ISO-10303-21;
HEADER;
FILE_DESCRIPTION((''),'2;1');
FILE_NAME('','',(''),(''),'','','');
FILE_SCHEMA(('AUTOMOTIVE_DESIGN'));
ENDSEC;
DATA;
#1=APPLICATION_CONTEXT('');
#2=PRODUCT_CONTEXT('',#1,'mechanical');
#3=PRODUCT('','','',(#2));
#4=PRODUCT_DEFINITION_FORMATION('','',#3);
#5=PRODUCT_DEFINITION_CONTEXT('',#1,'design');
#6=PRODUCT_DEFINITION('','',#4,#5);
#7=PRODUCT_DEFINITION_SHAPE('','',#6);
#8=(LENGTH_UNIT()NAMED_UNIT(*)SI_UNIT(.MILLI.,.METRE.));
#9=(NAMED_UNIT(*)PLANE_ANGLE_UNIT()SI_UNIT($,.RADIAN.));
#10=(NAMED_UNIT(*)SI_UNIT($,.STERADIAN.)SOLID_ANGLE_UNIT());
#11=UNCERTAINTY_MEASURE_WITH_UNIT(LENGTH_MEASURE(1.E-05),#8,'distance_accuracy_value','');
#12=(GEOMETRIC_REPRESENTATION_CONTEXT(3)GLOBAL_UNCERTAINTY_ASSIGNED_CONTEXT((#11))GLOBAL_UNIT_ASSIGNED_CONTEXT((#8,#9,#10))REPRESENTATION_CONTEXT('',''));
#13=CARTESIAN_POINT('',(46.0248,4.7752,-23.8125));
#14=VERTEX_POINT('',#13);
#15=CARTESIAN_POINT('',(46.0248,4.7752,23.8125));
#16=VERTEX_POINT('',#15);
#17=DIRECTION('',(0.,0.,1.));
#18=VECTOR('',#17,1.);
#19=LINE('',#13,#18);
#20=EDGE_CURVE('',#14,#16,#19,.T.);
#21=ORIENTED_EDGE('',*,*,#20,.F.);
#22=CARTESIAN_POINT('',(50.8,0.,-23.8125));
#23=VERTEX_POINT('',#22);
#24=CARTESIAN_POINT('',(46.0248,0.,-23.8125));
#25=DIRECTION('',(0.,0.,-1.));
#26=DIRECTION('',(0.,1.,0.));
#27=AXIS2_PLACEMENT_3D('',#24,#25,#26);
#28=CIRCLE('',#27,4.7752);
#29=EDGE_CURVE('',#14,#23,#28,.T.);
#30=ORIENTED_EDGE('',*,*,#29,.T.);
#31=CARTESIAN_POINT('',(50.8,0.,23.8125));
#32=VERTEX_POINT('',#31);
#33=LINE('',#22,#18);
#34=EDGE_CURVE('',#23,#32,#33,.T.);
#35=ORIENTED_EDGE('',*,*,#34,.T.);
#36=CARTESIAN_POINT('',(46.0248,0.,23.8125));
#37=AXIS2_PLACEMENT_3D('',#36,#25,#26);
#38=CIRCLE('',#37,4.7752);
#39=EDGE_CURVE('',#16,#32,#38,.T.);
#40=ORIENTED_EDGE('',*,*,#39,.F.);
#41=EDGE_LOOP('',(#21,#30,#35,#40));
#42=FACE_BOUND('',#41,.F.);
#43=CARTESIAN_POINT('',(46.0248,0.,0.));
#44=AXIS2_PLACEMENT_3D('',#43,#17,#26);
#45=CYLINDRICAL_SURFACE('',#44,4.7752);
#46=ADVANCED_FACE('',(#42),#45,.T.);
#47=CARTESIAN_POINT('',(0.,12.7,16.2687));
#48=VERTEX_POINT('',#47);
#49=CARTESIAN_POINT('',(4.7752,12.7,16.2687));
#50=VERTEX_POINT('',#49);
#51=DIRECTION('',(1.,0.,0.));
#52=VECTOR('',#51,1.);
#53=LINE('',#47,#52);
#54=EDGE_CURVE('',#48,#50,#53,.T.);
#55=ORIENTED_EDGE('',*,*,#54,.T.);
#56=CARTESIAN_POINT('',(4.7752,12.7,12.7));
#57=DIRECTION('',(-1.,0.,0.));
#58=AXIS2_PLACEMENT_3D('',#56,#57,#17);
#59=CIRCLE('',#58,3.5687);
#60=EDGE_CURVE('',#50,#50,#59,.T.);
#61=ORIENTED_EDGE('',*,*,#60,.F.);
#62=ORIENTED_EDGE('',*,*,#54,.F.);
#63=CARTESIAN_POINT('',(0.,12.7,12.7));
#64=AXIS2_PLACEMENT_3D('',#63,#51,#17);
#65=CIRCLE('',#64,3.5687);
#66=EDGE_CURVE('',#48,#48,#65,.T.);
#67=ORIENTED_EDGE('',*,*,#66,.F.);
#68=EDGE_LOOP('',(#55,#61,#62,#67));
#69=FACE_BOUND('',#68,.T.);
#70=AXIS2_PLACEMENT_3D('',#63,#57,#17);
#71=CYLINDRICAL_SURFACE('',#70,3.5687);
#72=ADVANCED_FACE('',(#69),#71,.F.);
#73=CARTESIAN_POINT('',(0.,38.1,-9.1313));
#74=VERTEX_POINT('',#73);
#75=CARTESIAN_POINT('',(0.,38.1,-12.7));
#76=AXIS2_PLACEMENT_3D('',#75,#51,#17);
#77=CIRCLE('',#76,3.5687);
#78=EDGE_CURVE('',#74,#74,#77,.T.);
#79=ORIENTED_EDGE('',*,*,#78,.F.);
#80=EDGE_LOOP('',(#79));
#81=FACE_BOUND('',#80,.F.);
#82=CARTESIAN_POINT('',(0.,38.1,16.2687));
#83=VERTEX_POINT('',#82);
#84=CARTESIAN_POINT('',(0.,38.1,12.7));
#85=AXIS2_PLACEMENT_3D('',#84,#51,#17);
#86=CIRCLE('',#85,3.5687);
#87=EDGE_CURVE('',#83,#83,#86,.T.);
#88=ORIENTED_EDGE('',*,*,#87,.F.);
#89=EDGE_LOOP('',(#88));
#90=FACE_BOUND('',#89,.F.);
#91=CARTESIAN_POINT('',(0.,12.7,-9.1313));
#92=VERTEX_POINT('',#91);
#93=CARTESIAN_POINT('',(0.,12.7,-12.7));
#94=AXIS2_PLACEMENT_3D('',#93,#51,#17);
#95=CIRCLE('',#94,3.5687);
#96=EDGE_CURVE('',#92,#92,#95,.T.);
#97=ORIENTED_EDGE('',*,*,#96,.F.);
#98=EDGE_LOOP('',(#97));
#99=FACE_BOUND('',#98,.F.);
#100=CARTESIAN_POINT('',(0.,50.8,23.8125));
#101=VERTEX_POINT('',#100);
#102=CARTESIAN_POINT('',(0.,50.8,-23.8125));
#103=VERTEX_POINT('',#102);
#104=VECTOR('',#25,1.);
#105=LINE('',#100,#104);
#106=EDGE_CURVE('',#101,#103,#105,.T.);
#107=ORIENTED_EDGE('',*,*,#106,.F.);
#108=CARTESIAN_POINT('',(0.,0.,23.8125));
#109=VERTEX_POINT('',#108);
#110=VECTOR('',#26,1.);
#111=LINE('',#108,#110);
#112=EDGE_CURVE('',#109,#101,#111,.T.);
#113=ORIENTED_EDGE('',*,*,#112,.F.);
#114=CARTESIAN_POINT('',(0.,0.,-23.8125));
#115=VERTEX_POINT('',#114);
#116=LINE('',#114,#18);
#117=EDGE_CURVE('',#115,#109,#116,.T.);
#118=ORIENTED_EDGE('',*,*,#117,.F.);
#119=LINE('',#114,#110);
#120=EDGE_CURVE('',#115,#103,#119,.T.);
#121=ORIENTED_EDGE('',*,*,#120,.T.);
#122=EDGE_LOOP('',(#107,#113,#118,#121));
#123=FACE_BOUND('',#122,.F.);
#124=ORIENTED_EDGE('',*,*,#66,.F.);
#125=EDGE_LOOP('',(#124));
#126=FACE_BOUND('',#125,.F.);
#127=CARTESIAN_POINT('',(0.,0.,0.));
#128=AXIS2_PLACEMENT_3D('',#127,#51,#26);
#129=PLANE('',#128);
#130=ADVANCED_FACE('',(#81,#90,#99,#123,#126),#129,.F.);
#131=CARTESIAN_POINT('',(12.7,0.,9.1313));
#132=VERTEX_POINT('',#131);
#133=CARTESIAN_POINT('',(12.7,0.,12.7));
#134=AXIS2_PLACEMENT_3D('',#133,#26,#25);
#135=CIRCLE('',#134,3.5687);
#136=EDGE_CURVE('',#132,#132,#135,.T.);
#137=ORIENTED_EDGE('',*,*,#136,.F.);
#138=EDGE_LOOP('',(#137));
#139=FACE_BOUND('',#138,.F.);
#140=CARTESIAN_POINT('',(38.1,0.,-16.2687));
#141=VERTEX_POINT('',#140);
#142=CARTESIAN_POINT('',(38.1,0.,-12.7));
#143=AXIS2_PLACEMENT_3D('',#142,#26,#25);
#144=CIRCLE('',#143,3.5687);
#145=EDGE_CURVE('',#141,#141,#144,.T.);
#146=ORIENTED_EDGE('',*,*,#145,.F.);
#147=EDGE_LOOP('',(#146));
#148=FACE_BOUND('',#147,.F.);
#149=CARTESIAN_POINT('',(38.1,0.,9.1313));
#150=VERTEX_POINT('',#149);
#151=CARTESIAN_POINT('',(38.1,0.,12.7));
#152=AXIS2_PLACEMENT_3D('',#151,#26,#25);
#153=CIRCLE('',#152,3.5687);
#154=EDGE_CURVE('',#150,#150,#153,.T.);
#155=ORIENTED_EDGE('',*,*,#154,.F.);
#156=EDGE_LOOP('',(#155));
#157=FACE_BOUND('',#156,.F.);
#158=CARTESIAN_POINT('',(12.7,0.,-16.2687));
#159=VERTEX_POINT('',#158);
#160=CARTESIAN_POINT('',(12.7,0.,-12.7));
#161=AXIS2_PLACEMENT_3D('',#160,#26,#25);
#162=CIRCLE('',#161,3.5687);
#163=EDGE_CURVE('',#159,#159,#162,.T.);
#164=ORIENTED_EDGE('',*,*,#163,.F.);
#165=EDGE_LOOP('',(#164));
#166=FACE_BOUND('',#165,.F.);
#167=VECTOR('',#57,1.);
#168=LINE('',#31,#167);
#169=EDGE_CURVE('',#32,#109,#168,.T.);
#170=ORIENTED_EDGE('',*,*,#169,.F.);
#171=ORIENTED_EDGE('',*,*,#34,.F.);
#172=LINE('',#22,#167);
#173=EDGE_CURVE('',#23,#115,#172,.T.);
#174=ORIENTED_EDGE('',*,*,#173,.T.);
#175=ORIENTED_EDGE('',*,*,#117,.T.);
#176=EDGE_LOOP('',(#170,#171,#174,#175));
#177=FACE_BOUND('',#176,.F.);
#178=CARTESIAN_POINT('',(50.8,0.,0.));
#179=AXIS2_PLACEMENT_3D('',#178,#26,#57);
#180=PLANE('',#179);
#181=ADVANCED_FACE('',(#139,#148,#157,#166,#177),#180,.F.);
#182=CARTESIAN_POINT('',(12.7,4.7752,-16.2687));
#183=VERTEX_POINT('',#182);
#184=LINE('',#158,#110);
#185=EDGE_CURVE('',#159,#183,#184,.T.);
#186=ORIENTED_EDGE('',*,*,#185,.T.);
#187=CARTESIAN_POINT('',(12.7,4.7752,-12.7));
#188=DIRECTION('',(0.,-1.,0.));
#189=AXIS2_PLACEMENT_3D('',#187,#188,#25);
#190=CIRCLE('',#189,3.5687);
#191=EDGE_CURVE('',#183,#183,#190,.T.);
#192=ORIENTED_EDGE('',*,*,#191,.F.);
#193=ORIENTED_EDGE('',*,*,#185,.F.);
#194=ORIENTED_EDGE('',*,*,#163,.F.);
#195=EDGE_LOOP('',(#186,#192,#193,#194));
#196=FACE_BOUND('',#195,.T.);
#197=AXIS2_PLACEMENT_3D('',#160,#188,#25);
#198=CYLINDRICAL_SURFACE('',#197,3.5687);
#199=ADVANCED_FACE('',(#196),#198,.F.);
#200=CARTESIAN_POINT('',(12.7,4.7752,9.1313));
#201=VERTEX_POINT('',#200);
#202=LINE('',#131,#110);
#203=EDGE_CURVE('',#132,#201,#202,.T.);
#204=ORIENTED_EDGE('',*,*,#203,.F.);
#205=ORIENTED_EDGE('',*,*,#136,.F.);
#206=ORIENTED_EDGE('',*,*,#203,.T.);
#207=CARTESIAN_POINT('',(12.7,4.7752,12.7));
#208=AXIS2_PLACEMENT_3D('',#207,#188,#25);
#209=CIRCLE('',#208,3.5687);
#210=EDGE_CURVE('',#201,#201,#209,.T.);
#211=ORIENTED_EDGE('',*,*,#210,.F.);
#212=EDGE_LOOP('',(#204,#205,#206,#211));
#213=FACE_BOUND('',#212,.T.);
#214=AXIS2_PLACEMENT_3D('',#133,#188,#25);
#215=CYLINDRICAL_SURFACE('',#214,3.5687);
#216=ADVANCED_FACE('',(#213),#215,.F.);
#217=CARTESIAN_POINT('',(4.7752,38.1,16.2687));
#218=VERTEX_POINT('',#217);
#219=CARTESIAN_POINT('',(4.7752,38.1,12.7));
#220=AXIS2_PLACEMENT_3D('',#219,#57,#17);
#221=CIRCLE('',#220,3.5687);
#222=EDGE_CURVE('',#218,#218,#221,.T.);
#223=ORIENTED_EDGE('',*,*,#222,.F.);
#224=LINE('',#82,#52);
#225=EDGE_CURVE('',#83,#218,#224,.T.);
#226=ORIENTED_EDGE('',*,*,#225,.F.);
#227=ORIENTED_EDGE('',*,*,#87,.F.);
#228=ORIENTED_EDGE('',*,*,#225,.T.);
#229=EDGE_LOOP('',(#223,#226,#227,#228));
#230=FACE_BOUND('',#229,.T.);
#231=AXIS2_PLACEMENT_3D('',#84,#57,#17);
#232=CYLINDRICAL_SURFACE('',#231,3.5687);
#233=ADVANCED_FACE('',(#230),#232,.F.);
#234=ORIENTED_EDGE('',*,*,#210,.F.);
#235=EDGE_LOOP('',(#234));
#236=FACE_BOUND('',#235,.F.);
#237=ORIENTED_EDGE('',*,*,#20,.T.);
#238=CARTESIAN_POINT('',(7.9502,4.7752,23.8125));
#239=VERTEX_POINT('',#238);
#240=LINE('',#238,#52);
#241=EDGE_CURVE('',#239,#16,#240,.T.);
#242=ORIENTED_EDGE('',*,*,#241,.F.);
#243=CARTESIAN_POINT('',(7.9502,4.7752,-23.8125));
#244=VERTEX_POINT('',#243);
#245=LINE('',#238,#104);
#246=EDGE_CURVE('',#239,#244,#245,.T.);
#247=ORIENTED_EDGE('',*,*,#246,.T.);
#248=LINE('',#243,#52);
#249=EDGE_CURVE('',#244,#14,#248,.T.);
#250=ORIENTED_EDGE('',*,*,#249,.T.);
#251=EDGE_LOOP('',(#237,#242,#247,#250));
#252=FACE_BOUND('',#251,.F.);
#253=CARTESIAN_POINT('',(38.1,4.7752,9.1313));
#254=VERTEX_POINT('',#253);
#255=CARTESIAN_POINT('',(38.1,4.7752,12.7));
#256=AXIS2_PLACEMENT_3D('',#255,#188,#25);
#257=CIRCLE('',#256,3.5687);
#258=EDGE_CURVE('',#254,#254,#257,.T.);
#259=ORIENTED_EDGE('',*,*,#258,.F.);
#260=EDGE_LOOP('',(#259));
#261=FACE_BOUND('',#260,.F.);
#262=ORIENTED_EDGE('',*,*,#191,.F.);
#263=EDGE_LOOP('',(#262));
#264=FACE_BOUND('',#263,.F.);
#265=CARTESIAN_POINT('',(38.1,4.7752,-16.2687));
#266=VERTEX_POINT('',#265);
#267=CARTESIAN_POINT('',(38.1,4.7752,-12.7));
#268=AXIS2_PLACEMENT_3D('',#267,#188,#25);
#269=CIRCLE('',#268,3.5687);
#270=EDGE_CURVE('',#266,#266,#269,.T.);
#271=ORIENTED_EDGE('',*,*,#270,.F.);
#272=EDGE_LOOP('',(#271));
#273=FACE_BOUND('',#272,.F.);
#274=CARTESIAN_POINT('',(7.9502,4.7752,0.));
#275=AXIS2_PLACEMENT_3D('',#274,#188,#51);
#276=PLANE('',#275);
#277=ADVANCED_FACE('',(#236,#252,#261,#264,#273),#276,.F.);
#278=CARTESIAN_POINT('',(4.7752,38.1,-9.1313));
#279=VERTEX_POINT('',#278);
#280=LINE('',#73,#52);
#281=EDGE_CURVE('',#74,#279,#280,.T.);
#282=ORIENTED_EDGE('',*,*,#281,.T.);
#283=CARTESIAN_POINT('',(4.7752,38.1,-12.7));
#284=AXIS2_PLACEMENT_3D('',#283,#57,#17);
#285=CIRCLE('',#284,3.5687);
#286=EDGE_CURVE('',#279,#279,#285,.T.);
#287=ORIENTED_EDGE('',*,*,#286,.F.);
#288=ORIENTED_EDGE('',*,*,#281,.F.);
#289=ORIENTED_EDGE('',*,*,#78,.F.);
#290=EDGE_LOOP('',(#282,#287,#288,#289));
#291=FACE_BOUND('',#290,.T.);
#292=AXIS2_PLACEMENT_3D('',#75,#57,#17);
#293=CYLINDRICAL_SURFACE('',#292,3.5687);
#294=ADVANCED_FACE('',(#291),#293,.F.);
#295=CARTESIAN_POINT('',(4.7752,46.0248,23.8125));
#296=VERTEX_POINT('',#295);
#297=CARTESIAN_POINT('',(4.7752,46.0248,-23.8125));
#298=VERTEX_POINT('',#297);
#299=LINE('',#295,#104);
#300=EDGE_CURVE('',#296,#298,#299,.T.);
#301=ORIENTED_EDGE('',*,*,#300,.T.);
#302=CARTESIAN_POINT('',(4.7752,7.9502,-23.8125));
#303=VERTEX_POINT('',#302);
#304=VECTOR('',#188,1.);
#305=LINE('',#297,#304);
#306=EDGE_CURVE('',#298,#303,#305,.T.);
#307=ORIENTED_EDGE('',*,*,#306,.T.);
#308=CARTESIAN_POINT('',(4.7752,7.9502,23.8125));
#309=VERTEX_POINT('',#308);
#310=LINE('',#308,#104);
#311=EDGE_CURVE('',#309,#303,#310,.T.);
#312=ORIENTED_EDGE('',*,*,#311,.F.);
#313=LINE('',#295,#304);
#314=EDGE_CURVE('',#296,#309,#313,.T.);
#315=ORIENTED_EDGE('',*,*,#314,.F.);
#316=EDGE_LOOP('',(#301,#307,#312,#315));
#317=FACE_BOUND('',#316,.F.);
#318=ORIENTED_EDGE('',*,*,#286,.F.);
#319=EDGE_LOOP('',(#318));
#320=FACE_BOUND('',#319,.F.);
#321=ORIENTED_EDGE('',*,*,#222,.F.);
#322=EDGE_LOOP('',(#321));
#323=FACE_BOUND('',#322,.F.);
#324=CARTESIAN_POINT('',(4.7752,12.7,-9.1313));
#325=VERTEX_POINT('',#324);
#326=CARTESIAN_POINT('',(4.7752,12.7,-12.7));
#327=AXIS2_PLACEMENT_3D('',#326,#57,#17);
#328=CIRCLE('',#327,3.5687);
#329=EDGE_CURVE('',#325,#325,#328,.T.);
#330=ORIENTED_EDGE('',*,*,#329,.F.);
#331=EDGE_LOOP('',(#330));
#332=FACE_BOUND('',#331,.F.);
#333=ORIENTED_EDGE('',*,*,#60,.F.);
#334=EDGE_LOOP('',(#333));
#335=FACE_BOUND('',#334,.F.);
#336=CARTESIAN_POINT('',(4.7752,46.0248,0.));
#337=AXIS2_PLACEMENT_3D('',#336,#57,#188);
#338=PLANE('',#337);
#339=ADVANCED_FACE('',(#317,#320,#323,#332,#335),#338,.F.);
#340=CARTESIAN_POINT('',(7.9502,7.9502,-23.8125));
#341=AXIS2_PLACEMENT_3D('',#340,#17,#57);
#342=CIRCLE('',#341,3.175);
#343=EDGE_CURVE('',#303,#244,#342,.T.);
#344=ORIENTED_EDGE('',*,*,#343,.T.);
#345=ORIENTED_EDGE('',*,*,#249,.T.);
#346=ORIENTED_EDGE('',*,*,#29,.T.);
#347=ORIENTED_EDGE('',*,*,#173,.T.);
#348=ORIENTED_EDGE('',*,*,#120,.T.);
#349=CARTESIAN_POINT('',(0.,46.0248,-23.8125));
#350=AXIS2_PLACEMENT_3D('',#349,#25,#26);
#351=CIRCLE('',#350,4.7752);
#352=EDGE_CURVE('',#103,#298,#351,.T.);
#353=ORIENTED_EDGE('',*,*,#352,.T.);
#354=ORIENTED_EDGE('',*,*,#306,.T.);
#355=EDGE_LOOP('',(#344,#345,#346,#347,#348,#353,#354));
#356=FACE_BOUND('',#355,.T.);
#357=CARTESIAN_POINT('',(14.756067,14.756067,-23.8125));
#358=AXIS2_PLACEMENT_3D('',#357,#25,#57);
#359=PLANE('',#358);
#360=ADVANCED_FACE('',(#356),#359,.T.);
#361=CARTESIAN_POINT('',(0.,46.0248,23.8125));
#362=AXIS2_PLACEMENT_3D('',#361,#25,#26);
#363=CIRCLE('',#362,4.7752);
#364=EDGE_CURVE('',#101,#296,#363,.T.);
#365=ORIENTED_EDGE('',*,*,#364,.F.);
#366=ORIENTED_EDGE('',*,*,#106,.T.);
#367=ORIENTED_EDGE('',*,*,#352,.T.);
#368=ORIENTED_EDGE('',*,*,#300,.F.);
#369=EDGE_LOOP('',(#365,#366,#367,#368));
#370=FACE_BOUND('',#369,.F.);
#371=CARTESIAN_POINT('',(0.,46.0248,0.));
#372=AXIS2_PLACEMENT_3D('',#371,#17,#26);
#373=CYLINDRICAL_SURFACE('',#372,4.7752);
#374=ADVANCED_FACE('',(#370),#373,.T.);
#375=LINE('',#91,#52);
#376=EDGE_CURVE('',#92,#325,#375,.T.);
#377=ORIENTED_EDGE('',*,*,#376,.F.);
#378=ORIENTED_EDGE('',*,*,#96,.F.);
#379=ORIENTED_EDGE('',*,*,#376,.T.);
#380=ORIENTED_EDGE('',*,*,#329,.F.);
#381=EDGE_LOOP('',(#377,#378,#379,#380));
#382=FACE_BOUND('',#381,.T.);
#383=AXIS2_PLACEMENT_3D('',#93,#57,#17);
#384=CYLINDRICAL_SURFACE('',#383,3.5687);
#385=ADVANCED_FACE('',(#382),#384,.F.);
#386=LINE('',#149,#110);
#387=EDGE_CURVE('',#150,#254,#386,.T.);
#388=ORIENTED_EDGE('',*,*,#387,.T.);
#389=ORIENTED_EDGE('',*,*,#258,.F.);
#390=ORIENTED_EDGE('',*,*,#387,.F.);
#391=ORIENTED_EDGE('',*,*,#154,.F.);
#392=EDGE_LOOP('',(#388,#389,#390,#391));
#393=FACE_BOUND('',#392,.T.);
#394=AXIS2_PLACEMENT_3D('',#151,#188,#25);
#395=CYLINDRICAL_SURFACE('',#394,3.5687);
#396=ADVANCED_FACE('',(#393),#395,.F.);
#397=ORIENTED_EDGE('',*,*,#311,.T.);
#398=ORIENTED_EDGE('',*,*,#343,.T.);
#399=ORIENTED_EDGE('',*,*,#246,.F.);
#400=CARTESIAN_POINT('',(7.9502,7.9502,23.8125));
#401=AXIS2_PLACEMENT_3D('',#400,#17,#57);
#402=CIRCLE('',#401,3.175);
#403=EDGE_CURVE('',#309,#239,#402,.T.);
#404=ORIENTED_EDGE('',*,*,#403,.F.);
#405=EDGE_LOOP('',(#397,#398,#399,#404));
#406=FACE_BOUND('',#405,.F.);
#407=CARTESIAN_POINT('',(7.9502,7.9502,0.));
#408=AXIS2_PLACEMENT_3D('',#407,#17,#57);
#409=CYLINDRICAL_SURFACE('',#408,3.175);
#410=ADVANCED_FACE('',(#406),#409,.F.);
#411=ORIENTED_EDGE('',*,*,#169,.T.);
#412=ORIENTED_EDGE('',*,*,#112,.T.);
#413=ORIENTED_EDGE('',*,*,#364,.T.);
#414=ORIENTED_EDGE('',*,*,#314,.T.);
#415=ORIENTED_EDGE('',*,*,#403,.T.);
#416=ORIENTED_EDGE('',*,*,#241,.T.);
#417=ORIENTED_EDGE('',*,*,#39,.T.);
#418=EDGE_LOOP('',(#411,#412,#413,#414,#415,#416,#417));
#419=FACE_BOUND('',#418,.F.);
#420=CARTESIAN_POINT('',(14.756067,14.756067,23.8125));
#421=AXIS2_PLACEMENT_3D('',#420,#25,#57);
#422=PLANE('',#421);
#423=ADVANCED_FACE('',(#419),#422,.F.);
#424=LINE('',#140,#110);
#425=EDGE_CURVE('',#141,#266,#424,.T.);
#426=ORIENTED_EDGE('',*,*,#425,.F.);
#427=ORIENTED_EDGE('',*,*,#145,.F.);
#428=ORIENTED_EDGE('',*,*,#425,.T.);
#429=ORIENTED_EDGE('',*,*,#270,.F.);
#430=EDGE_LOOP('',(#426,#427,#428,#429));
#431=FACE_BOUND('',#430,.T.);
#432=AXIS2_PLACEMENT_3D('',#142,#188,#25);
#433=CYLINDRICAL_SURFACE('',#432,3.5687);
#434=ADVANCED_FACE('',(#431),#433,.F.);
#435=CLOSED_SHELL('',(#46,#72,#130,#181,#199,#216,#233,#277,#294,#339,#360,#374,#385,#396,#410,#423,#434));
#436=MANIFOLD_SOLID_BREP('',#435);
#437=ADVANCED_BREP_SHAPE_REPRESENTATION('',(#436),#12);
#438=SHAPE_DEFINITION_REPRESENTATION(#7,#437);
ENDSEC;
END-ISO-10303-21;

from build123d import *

# Parameters (mm, degrees)
BOSS_EXTRUDE1_DEPTH = 23.8125
SKETCH2_R           = 3.5687
CUT_EXTRUDE1_DEPTH  = 76.685633751
SKETCH3_R           = 3.5687
CUT_EXTRUDE2_DEPTH  = 76.685633751


with BuildPart() as part:
    # Sketch1 → Boss-Extrude1 (new, symmetric)
    with BuildSketch(Plane.XY):
        with BuildLine():
            Line((0, 0), (0, 50.8))
            ThreePointArc((0, 50.8), (3.376576302, 49.401376302), (4.7752, 46.0248))
            Line((4.7752, 46.0248), (4.7752, 7.9502))
            ThreePointArc((4.7752, 7.9502), (5.70513597, 5.70513597), (7.9502, 4.7752))
            Line((7.9502, 4.7752), (46.0248, 4.7752))
            ThreePointArc((46.0248, 4.7752), (49.401376302, 3.376576302), (50.8, 0))
            Line((50.8, 0), (0, 0))
        make_face()
    extrude(amount=BOSS_EXTRUDE1_DEPTH, both=True)

    # Sketch2 → Cut-Extrude1 (cut, through all)
    with BuildSketch(Plane(origin=(0, 0, 0), x_dir=(1, 0, 0), z_dir=(0, 1, 0))):
        with Locations(Location((12.7, -12.7, 0), (0, 0, 90))):
            Circle(SKETCH2_R)
        with Locations(Location((38.1, -12.7, 0), (0, 0, 90))):
            Circle(SKETCH2_R)
        with Locations(Location((12.7, 12.7, 0), (0, 0, 90))):
            Circle(SKETCH2_R)
        with Locations(Location((38.1, 12.7, 0), (0, 0, 90))):
            Circle(SKETCH2_R)
    extrude(amount=CUT_EXTRUDE1_DEPTH, mode=Mode.SUBTRACT)

    # Sketch3 → Cut-Extrude2 (cut, through all)
    with BuildSketch(Plane(origin=(0, 0, 0), x_dir=(0, 0, -1), z_dir=(1, 0, 0))):
        with Locations(Location((-12.7, 12.7, 0), (0, 0, 180))):
            Circle(SKETCH3_R)
        with Locations(Location((-12.7, 38.1, 0), (0, 0, 180))):
            Circle(SKETCH3_R)
        with Locations(Location((12.7, 12.7, 0), (0, 0, 180))):
            Circle(SKETCH3_R)
        with Locations(Location((12.7, 38.1, 0), (0, 0, 180))):
            Circle(SKETCH3_R)
    extrude(amount=CUT_EXTRUDE2_DEPTH, mode=Mode.SUBTRACT)


solid = part.part
